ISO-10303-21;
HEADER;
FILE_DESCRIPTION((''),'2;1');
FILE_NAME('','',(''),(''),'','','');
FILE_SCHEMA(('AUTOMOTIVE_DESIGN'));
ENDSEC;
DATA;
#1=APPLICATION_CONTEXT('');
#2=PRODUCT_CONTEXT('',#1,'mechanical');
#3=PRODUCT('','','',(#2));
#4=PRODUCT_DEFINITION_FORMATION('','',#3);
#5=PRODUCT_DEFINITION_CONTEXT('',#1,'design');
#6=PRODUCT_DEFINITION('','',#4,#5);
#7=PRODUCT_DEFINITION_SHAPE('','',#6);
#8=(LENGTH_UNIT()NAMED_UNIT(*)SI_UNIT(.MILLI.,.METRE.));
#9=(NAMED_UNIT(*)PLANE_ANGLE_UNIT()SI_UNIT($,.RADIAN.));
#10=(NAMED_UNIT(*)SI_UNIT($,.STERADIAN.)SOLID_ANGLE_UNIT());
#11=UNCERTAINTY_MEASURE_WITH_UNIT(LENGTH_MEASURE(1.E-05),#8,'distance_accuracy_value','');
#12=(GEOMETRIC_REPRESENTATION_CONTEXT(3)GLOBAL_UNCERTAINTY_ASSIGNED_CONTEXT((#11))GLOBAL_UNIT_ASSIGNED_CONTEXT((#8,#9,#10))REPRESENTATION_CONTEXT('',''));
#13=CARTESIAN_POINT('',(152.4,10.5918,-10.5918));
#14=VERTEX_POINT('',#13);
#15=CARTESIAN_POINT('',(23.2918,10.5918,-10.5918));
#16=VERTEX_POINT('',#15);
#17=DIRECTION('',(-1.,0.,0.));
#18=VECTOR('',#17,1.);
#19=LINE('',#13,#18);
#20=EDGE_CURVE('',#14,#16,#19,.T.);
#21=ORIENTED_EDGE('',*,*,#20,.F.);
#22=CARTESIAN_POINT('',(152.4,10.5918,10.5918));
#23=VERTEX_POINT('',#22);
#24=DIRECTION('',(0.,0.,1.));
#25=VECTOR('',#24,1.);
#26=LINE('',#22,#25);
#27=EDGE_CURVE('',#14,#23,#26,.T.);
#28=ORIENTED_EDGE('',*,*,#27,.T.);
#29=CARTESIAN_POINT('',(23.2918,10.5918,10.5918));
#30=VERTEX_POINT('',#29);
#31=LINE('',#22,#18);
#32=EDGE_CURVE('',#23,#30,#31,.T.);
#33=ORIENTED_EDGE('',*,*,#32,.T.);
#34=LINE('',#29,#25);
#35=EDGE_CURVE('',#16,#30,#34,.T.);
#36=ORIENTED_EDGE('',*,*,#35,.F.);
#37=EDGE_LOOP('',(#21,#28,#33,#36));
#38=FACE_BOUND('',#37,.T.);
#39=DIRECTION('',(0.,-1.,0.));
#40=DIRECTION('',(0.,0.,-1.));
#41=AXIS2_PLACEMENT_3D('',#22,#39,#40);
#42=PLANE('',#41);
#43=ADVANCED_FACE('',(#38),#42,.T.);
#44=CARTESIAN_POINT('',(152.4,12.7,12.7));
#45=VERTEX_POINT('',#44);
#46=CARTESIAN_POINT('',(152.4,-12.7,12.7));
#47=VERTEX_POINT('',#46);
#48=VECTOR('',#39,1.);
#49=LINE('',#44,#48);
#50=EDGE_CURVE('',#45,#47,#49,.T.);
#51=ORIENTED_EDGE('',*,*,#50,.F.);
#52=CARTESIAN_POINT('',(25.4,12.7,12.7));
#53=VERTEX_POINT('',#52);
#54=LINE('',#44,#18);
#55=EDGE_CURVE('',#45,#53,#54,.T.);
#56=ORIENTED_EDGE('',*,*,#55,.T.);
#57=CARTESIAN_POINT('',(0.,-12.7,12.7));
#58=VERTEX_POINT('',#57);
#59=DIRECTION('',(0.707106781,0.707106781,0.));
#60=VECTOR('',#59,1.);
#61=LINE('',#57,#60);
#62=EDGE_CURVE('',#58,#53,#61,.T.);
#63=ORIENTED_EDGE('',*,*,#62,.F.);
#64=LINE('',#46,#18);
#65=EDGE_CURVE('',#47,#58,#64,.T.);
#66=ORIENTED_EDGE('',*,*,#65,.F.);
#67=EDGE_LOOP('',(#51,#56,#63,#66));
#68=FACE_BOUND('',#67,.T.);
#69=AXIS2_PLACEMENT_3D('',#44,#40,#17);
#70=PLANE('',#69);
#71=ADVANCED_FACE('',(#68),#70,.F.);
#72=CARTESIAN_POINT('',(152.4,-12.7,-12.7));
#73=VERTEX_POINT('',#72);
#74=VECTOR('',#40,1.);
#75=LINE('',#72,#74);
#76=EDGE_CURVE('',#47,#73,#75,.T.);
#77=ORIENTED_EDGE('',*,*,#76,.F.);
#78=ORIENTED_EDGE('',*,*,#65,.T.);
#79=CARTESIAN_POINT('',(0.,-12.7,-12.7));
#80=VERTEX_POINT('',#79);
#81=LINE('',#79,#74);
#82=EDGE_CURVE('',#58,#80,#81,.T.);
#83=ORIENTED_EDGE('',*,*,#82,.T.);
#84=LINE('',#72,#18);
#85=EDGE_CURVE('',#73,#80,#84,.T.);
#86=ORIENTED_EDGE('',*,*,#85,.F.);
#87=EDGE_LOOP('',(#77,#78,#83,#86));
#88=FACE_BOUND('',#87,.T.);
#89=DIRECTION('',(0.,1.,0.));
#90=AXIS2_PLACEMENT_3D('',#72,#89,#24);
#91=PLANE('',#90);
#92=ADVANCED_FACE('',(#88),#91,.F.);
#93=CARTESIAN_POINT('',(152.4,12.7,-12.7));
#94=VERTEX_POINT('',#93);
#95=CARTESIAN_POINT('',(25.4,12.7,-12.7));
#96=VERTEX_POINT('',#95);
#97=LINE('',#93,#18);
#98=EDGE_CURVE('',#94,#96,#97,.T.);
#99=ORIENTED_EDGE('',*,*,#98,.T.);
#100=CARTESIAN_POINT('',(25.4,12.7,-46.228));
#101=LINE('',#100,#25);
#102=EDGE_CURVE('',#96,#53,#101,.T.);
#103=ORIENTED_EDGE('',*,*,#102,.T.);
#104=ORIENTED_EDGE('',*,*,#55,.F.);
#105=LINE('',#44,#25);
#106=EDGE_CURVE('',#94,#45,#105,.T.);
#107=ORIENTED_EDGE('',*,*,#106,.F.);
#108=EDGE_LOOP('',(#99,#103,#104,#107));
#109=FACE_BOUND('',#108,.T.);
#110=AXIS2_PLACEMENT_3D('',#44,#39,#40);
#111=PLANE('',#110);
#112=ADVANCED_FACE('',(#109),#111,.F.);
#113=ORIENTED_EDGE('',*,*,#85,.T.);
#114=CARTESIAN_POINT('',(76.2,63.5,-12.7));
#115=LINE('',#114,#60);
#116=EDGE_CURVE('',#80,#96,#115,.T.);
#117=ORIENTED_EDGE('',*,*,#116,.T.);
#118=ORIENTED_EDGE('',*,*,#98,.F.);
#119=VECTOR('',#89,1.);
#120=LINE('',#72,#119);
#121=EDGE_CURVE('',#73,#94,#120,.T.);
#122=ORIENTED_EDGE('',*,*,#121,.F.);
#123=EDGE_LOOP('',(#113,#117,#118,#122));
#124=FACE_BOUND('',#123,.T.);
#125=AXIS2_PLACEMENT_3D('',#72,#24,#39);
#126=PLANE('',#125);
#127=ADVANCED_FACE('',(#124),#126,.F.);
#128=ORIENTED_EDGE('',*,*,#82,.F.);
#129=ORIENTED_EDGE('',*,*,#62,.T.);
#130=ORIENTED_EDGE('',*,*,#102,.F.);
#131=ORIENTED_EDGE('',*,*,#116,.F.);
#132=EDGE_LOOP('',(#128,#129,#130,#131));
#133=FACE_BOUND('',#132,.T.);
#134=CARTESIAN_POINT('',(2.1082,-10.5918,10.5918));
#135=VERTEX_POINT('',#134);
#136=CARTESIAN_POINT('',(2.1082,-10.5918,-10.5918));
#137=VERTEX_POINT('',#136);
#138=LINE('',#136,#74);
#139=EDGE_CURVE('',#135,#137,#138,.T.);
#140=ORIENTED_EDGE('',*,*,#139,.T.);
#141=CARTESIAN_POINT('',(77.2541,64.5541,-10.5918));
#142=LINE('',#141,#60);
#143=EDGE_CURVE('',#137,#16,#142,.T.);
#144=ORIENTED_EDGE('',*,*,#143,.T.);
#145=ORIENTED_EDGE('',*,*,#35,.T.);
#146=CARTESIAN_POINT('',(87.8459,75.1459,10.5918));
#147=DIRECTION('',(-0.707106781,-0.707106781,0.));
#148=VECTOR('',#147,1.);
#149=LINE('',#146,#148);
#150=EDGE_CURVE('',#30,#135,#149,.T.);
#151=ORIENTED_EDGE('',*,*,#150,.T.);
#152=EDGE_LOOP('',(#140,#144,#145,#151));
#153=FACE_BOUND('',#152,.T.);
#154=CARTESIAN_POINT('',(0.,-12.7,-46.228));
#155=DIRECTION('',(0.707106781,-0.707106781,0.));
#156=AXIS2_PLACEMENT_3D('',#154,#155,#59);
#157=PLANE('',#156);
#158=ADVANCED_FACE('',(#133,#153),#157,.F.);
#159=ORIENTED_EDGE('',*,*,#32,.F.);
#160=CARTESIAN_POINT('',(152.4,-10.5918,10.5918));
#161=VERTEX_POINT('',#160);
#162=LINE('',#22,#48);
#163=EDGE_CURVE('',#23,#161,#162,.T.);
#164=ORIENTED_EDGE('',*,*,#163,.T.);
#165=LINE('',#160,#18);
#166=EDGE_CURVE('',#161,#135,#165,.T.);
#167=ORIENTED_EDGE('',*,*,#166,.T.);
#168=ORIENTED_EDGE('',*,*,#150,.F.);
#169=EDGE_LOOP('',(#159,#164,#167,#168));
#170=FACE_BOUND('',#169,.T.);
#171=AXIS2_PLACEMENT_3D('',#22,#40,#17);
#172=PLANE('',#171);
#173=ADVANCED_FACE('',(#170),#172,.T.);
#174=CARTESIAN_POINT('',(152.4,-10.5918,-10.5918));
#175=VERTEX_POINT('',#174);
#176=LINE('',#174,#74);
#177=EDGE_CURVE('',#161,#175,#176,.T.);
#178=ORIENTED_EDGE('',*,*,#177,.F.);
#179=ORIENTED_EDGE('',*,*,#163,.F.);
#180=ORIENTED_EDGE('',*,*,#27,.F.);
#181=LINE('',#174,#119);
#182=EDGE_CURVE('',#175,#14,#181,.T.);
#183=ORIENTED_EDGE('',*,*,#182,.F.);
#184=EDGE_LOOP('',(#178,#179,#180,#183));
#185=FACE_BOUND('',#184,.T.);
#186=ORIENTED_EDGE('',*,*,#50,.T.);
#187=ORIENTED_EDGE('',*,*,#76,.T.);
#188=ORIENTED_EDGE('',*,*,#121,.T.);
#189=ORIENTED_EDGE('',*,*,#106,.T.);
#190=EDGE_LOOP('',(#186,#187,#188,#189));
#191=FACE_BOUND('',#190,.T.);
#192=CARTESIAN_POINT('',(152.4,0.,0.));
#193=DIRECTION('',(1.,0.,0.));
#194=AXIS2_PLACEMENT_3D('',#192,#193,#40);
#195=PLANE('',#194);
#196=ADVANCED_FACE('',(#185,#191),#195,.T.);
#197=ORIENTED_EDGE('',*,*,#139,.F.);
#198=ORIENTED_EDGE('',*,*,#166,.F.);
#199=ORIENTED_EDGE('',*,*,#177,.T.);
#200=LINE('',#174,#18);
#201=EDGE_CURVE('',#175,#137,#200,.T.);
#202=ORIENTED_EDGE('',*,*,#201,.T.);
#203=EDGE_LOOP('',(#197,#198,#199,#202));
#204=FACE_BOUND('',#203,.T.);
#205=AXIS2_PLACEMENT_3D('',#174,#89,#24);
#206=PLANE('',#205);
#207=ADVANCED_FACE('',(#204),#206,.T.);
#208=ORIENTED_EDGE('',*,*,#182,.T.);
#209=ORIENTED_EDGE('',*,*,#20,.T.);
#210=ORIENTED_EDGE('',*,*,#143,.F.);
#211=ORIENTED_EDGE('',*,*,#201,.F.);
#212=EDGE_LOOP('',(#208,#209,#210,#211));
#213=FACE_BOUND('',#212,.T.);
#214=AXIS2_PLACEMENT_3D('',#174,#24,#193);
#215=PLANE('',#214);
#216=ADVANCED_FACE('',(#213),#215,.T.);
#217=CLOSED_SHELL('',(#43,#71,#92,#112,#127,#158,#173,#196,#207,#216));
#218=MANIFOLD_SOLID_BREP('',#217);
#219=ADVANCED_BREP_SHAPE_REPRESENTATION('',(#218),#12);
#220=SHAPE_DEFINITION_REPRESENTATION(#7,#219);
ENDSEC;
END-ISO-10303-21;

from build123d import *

# Parameters (mm, degrees)
SKETCH1_W                              = 25.4
SKETCH1_H                              = 25.4
SKETCH1_W_2                            = 21.1836
SKETCH1_H_2                            = 21.1836
AL_TUBE_SQUARE_1_SQ_X_083_WALL_1_DEPTH = 152.4
CORTAR_EXTRUIR1_DEPTH                  = 58.928


with BuildPart() as part:
    # Sketch1 → Al tube (square) 1 SQ X .083 WALL(1) (new body)
    with BuildSketch(Plane.YZ):
        Rectangle(SKETCH1_W, SKETCH1_H)
        Rectangle(SKETCH1_W_2, SKETCH1_H_2, mode=Mode.SUBTRACT)
    extrude(amount=AL_TUBE_SQUARE_1_SQ_X_083_WALL_1_DEPTH)

    # Croquis3 → Cortar-Extruir1 (cut)
    with BuildSketch(Plane.XY.offset(12.7)):
        Polygon((0, -12.7), (25.4, 12.7), (0, 12.7), align=None)
    extrude(amount=-CORTAR_EXTRUIR1_DEPTH, mode=Mode.SUBTRACT)


solid = part.part
